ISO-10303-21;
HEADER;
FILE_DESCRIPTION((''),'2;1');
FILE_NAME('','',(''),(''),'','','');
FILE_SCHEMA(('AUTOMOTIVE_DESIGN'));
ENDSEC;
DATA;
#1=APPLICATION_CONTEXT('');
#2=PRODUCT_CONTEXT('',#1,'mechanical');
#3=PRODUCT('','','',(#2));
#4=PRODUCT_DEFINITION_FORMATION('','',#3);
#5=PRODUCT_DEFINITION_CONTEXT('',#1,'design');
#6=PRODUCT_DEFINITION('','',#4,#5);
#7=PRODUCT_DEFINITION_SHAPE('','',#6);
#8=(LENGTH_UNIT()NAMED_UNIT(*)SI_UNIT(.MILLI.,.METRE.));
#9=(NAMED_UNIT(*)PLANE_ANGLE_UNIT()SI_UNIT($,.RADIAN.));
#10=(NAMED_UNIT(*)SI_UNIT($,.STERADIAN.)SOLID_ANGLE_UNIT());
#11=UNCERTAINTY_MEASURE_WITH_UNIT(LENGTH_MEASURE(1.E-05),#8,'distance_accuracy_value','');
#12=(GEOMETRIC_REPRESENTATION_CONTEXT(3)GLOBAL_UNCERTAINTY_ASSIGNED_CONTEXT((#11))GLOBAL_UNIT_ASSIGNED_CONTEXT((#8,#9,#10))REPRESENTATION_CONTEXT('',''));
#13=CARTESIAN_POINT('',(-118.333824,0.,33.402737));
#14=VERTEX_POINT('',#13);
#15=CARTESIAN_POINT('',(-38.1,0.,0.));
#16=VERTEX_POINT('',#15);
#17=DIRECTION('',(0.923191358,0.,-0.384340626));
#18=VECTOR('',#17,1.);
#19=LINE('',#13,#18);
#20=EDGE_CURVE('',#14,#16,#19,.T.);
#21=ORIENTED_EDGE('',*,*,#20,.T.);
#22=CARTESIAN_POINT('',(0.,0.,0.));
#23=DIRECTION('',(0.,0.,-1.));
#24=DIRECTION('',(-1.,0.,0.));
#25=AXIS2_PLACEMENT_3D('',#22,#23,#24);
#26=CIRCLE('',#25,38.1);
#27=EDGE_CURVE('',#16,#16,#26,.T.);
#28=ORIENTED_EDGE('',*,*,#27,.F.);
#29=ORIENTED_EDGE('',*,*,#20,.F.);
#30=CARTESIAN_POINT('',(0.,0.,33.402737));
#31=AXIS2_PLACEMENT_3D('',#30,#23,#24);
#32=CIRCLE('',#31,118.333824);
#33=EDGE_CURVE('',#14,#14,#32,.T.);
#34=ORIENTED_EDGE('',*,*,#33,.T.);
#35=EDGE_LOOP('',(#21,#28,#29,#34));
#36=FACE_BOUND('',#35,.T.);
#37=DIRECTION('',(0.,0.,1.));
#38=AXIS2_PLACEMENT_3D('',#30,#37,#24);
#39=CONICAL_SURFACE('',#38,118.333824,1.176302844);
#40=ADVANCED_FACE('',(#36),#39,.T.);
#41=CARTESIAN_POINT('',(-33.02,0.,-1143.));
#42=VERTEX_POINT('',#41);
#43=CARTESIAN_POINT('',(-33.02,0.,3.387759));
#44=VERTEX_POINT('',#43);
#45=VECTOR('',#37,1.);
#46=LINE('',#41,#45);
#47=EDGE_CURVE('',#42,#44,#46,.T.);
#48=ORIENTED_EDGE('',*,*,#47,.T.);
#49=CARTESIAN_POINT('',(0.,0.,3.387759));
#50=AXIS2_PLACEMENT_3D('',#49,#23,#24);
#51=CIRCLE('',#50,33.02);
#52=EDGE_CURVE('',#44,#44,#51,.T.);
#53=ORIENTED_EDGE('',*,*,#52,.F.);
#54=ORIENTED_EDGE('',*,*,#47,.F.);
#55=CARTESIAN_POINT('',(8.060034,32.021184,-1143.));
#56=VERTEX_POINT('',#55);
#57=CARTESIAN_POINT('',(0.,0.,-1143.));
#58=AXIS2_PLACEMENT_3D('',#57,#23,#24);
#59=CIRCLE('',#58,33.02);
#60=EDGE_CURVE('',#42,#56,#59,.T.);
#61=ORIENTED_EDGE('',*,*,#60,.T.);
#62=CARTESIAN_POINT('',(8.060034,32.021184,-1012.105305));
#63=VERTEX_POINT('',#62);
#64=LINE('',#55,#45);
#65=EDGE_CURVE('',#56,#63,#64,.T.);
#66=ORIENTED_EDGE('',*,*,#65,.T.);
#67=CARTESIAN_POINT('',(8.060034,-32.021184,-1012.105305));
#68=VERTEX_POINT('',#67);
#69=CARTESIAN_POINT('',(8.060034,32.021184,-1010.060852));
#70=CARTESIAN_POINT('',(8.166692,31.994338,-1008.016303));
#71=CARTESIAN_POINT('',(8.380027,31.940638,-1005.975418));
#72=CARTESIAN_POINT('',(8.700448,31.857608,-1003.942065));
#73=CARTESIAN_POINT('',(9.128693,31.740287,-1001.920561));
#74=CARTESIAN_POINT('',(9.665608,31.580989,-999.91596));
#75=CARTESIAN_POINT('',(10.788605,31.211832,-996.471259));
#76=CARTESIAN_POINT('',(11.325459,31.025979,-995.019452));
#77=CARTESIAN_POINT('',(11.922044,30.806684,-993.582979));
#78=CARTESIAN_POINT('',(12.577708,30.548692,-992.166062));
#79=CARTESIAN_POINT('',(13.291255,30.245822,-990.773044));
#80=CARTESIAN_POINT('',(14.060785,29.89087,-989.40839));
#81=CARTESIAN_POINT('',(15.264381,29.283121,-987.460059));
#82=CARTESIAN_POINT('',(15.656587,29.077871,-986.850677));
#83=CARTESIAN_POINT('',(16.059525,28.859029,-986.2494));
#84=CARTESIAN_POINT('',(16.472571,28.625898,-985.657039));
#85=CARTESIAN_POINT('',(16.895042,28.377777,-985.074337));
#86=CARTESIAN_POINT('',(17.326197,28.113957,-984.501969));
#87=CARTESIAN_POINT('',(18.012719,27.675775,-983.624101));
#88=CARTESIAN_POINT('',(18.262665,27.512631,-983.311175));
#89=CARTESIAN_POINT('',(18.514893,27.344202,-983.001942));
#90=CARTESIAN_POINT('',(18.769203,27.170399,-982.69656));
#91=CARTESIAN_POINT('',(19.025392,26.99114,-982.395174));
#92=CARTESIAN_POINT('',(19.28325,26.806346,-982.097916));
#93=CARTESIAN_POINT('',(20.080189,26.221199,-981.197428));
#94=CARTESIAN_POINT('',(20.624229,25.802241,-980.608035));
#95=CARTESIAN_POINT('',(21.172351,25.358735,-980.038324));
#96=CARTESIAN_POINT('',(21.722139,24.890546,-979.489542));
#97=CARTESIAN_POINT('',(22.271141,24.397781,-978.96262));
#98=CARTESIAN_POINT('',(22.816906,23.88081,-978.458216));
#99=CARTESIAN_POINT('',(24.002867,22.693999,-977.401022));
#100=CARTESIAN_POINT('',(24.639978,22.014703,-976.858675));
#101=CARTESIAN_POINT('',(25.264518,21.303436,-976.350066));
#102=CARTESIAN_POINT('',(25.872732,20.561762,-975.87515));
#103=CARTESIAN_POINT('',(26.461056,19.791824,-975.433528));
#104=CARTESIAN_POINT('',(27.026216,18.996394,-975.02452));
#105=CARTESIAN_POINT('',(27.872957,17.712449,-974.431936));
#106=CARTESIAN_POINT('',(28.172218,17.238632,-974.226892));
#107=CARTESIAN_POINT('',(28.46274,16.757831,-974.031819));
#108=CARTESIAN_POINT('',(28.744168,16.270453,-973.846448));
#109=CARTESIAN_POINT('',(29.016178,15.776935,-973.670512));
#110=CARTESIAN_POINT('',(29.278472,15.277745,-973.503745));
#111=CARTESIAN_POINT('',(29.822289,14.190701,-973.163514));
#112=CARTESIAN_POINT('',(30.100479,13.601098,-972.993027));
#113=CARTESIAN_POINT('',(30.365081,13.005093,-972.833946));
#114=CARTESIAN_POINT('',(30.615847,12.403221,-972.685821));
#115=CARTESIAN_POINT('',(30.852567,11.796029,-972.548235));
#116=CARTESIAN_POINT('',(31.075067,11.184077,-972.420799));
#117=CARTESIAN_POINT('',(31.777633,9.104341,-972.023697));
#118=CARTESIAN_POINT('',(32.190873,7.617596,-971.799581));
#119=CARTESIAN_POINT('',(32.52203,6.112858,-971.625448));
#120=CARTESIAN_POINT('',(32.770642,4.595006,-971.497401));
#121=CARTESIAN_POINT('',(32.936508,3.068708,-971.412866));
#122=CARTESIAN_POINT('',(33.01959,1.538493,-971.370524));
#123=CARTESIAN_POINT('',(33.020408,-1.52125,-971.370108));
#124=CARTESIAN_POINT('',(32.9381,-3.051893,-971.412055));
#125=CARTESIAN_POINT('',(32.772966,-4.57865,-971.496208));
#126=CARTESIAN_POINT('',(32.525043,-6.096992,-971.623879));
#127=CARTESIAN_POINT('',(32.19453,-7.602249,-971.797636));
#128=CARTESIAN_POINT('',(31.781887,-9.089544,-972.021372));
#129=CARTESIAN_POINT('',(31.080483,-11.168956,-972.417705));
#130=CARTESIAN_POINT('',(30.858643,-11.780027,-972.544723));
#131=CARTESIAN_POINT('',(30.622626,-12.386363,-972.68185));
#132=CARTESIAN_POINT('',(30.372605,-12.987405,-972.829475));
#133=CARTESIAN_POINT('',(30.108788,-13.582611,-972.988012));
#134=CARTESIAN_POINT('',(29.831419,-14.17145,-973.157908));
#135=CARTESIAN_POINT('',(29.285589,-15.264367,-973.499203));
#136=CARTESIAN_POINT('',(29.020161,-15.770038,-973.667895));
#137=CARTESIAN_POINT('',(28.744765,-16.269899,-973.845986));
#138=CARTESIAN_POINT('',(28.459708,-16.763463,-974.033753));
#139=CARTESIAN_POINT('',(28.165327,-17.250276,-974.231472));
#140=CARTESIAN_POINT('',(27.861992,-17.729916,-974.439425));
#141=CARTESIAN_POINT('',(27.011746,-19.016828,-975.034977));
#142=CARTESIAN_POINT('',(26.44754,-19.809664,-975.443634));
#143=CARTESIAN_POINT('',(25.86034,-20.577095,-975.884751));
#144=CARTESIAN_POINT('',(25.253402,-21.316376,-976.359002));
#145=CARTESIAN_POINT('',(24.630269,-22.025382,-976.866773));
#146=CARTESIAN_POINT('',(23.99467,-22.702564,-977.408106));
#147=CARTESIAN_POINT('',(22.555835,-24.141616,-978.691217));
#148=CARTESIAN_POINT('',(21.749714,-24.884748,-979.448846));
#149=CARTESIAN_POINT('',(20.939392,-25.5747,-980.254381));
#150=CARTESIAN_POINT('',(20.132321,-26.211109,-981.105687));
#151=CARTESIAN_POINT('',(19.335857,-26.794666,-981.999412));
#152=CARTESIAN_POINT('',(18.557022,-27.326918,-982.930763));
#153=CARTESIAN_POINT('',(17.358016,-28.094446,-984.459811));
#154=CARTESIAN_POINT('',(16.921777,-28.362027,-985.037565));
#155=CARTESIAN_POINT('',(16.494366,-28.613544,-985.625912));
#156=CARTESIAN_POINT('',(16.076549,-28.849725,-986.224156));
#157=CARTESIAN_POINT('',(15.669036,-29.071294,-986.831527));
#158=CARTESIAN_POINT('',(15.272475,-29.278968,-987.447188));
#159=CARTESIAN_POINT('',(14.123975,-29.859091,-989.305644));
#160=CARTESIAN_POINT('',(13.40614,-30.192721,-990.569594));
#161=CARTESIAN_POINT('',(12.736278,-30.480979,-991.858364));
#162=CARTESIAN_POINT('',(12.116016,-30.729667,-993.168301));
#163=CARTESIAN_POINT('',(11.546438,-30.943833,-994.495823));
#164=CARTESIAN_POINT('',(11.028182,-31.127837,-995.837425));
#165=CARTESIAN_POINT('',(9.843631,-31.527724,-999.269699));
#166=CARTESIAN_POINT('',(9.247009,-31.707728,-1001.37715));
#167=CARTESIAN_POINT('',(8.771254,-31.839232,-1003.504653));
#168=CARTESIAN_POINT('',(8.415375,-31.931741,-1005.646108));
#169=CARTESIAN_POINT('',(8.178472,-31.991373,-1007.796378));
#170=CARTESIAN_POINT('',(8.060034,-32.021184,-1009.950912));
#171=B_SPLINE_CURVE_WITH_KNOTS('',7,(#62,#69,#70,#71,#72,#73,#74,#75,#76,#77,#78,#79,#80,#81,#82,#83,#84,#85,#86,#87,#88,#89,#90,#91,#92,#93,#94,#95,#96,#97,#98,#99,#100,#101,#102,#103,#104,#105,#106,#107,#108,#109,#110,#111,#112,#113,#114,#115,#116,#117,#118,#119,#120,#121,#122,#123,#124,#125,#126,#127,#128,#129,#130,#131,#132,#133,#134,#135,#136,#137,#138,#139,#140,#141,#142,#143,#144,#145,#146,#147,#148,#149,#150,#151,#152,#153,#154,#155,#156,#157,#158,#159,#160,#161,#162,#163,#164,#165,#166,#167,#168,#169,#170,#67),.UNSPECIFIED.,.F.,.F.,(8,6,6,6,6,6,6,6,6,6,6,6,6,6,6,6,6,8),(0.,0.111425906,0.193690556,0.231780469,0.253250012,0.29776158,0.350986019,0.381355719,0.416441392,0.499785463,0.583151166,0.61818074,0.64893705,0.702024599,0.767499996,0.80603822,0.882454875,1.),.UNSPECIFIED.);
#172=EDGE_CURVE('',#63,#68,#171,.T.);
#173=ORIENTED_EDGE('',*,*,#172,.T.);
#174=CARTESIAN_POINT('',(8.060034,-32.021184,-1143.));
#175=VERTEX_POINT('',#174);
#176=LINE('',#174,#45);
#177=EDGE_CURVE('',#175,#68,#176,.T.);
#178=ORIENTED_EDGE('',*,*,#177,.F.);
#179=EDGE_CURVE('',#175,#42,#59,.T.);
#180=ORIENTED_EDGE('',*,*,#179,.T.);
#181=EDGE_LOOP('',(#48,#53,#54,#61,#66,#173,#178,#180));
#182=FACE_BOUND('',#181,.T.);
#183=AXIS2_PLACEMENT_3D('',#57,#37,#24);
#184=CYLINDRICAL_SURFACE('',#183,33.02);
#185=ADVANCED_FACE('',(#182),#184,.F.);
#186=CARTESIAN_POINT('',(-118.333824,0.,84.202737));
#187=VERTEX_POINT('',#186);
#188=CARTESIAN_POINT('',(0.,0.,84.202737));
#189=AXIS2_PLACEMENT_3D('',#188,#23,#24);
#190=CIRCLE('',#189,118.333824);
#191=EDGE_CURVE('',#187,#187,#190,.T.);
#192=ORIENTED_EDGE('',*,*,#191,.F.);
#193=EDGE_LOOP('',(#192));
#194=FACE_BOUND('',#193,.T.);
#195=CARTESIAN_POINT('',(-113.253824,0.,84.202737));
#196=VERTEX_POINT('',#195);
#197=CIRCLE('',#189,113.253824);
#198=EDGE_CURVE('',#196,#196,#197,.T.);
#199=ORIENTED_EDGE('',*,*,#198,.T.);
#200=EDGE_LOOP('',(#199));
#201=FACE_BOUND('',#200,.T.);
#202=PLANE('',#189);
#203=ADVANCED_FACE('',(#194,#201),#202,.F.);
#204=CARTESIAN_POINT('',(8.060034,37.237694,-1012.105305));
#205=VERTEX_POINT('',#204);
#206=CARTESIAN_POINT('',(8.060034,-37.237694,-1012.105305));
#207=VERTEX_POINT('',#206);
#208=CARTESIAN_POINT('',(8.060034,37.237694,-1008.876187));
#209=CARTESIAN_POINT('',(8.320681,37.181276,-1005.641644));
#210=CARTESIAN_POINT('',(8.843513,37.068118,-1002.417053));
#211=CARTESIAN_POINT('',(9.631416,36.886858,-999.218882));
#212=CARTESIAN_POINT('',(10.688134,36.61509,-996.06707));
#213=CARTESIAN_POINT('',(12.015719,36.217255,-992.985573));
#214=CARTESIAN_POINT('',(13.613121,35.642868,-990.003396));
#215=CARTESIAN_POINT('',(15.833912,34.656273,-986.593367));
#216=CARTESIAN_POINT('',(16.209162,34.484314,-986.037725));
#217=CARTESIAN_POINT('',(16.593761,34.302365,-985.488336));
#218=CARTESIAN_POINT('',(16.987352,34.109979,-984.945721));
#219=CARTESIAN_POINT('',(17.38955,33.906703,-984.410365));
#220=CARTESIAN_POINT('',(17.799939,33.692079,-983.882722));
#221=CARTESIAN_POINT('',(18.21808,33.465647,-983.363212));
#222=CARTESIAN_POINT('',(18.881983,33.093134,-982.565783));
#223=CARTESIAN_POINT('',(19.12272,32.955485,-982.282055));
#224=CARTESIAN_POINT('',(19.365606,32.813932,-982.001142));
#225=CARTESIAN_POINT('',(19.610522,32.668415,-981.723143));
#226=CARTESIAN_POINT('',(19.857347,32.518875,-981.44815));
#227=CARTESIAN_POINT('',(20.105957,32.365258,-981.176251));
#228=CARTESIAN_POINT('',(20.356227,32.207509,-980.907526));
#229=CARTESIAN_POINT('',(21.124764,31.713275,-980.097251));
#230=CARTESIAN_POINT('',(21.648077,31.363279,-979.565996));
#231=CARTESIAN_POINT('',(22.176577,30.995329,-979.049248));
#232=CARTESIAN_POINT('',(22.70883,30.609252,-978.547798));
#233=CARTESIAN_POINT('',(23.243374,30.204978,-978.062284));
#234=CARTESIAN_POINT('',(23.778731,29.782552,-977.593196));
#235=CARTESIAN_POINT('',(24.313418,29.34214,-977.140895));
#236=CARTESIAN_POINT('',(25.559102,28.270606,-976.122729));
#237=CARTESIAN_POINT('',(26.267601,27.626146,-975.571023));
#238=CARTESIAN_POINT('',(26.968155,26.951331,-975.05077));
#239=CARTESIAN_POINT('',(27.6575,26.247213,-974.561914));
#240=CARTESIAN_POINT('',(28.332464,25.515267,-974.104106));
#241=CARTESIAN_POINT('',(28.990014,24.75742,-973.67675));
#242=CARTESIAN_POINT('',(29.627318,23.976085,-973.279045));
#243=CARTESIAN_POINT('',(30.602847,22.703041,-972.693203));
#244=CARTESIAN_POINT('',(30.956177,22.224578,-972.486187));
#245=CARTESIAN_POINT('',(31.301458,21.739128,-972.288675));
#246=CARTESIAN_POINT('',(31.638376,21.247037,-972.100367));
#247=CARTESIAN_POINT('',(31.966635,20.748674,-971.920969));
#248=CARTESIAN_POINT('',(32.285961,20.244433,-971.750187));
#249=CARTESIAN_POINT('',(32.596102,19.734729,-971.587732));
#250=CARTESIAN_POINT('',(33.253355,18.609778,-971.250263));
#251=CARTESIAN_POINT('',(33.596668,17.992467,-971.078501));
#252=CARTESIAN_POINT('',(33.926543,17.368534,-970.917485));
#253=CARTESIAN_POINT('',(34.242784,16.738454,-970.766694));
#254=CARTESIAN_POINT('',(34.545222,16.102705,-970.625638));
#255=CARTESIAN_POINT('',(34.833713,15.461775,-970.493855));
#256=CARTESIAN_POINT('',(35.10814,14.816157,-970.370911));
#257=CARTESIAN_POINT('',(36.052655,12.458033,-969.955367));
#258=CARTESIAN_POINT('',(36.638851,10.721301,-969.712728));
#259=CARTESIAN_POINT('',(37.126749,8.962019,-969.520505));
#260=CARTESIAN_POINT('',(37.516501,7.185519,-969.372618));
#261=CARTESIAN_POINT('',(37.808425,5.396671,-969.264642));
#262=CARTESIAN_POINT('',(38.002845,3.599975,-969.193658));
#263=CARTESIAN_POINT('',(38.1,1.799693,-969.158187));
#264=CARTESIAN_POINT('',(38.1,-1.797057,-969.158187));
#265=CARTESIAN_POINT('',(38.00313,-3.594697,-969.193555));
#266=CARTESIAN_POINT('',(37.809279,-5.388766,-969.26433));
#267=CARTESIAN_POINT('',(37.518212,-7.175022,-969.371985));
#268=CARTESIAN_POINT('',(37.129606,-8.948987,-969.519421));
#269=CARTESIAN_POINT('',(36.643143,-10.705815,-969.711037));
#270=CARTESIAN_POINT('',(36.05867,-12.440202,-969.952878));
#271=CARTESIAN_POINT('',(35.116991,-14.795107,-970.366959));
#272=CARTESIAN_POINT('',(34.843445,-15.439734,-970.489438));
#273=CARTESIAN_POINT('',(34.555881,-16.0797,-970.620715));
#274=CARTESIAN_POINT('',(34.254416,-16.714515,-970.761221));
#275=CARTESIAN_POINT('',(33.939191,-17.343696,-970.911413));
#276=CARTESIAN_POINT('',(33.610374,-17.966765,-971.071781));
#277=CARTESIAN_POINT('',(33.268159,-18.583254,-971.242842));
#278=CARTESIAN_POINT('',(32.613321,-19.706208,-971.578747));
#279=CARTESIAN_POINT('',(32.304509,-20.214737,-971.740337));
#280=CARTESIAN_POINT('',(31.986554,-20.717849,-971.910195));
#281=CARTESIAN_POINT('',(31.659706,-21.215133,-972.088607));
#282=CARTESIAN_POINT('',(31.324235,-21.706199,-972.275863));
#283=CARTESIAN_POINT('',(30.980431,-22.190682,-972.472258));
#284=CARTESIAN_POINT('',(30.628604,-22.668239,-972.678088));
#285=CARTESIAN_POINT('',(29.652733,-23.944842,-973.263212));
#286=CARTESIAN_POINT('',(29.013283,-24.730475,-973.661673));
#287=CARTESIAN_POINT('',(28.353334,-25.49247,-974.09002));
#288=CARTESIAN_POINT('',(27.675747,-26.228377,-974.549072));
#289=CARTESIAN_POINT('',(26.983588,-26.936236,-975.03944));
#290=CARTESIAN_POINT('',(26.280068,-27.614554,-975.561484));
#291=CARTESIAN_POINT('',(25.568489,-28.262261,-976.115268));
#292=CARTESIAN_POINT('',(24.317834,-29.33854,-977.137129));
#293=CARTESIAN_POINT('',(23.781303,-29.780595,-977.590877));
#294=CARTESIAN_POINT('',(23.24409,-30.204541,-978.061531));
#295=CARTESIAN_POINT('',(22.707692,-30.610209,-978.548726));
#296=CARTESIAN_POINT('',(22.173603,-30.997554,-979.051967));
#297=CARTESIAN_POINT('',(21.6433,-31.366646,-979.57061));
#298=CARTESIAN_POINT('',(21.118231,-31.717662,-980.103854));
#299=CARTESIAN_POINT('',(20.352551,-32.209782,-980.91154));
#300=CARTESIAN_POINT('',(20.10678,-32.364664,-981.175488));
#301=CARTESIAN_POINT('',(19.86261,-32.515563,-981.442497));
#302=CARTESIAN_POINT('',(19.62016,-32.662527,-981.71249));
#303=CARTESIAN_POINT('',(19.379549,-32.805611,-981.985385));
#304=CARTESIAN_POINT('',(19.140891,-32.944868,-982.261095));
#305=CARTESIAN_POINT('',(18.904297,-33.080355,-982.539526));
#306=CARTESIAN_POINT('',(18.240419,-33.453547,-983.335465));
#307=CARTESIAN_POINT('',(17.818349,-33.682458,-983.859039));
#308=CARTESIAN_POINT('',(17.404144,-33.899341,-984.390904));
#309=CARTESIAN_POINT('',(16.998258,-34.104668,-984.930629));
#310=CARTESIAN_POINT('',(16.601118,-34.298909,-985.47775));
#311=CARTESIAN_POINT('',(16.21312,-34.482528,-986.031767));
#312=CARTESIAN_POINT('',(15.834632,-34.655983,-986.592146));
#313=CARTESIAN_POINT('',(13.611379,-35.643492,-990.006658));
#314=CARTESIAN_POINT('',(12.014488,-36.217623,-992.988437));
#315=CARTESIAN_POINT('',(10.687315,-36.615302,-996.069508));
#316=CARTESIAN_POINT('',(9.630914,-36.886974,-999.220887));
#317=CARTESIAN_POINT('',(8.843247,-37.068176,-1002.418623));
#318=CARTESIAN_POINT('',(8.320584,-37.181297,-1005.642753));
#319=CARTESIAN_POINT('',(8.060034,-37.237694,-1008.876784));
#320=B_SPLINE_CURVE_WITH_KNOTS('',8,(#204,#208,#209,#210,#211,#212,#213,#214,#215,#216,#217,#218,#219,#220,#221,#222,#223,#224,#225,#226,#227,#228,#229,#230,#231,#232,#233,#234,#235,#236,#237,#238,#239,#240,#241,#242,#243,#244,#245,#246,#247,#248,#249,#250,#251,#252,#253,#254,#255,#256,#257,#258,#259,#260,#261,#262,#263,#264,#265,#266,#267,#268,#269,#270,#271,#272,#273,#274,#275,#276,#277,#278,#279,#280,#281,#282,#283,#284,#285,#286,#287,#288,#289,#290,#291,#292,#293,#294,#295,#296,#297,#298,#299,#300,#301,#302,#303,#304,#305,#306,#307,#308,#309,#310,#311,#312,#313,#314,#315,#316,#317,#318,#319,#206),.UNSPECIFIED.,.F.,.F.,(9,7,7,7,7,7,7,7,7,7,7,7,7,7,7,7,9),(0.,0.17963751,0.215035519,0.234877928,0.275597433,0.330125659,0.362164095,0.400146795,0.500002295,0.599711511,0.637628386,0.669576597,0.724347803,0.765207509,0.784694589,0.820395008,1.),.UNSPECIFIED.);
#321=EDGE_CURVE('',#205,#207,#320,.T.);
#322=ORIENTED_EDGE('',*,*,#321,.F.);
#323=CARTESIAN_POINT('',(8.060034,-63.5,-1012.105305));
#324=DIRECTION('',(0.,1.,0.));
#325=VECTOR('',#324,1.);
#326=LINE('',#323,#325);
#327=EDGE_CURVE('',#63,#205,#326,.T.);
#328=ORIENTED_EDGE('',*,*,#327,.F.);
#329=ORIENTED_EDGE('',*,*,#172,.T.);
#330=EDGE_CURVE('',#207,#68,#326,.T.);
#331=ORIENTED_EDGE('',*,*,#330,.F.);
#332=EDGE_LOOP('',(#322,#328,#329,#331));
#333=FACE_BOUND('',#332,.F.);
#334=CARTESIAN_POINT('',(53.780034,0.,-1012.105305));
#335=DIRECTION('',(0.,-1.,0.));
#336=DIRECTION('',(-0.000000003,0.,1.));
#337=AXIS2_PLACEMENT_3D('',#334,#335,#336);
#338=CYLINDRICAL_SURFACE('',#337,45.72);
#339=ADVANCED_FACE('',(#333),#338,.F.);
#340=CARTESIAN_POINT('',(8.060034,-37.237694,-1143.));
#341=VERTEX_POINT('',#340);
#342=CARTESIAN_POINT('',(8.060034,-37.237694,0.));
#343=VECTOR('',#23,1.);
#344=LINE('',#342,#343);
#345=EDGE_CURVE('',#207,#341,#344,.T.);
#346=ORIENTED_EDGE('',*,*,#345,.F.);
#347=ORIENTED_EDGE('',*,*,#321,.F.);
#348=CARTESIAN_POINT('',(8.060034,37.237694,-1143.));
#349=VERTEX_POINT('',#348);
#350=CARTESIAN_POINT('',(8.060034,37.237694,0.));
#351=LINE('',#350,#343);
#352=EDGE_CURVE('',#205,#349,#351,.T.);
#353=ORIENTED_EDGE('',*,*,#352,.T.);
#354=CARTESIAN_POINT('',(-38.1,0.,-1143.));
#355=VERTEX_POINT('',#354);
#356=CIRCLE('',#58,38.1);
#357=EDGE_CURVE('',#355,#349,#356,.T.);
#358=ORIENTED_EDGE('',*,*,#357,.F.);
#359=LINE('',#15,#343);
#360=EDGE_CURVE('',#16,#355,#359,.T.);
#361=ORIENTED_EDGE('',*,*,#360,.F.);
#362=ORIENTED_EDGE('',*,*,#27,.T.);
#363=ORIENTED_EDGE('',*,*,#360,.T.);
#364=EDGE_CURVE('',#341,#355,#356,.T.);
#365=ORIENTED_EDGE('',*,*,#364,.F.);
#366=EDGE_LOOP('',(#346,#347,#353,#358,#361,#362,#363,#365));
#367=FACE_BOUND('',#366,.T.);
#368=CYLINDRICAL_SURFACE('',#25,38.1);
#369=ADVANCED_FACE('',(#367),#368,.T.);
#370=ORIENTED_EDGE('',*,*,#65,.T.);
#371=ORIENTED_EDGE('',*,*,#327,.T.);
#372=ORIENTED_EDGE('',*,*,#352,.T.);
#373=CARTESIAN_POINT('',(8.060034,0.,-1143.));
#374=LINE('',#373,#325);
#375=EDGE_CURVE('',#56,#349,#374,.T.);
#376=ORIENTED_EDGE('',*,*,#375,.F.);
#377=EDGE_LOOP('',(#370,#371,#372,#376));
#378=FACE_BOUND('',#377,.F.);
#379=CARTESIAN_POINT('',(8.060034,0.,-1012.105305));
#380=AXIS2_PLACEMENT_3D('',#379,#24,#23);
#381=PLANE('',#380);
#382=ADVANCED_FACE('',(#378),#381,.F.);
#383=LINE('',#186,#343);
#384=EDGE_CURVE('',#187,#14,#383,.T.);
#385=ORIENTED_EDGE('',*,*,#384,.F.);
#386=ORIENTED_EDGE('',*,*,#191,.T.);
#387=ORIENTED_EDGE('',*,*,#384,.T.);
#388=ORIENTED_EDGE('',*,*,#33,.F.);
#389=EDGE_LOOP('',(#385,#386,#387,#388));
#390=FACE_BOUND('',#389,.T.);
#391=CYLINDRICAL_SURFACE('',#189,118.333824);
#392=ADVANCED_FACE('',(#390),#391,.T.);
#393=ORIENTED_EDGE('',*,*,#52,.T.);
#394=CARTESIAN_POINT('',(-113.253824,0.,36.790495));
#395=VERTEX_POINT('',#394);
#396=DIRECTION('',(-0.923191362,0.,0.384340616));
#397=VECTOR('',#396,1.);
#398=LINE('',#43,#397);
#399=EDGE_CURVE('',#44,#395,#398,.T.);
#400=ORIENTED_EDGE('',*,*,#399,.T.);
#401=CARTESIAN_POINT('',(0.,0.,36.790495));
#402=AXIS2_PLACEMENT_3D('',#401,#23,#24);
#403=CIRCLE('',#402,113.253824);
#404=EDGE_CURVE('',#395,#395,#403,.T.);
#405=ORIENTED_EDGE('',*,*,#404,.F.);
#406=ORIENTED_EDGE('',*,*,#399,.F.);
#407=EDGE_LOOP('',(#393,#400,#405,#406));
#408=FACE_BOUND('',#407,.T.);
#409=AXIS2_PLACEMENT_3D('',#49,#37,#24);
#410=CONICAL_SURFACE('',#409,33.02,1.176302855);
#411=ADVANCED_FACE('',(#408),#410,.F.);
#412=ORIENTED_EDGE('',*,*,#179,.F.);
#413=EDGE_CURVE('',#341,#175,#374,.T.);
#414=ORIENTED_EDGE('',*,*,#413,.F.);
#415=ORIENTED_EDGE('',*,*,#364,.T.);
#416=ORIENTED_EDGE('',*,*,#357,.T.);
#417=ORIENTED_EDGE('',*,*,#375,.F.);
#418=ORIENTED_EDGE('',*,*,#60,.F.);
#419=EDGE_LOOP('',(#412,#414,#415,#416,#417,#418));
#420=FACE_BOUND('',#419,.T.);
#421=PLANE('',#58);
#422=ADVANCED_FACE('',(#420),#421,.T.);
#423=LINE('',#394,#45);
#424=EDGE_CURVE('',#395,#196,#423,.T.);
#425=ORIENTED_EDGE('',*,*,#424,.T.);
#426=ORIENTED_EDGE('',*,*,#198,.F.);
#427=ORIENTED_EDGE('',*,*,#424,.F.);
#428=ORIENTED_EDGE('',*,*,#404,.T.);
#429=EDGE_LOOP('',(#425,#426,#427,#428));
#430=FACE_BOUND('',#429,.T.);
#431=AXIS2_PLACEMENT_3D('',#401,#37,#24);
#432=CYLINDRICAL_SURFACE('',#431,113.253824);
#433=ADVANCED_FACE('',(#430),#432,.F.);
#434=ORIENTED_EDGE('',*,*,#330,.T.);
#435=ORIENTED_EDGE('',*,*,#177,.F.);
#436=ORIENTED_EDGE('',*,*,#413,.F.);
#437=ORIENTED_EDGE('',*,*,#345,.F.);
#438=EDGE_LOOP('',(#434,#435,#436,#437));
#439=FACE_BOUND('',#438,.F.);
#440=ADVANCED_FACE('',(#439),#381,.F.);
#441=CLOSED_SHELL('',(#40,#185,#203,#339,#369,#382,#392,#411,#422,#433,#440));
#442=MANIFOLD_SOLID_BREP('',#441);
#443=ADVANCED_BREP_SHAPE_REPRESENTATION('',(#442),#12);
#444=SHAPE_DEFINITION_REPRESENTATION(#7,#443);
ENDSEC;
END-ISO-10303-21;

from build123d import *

# Parameters (mm, degrees)
F3_DEPTH = 63.5


with BuildPart() as f1:
    # F0 (on Front) → F1 (revolve)
    with BuildSketch(Plane.XZ):
        Polygon((-113.253824, 36.790495), (-113.253824, 84.202737), (-118.333824, 84.202737), (-118.333824, 33.402737), (-38.1, 0), (-38.1, -1143), (-33.02, -1143), (-33.02, 3.387759), align=None)
    revolve(axis=Axis((0, 0, -529.398632), (0, 0, -1)))

    # F2 (on Front) → F3 (cut, symmetric)
    with BuildSketch(Plane.XZ):
        with BuildLine():
            Line((8.060034, -1012.105305), (8.060034, -1153.510451))
            Line((8.060034, -1153.510451), (58.457147, -1153.510451))
            Line((58.457147, -1153.510451), (58.457147, -966.385305))
            Line((58.457147, -966.385305), (53.780034, -966.385305))
            ThreePointArc((53.780034, -966.385305), (21.451112, -979.776383), (8.060034, -1012.105305))
        make_face()
    extrude(amount=F3_DEPTH, both=True, mode=Mode.SUBTRACT)


solid = f1.part
